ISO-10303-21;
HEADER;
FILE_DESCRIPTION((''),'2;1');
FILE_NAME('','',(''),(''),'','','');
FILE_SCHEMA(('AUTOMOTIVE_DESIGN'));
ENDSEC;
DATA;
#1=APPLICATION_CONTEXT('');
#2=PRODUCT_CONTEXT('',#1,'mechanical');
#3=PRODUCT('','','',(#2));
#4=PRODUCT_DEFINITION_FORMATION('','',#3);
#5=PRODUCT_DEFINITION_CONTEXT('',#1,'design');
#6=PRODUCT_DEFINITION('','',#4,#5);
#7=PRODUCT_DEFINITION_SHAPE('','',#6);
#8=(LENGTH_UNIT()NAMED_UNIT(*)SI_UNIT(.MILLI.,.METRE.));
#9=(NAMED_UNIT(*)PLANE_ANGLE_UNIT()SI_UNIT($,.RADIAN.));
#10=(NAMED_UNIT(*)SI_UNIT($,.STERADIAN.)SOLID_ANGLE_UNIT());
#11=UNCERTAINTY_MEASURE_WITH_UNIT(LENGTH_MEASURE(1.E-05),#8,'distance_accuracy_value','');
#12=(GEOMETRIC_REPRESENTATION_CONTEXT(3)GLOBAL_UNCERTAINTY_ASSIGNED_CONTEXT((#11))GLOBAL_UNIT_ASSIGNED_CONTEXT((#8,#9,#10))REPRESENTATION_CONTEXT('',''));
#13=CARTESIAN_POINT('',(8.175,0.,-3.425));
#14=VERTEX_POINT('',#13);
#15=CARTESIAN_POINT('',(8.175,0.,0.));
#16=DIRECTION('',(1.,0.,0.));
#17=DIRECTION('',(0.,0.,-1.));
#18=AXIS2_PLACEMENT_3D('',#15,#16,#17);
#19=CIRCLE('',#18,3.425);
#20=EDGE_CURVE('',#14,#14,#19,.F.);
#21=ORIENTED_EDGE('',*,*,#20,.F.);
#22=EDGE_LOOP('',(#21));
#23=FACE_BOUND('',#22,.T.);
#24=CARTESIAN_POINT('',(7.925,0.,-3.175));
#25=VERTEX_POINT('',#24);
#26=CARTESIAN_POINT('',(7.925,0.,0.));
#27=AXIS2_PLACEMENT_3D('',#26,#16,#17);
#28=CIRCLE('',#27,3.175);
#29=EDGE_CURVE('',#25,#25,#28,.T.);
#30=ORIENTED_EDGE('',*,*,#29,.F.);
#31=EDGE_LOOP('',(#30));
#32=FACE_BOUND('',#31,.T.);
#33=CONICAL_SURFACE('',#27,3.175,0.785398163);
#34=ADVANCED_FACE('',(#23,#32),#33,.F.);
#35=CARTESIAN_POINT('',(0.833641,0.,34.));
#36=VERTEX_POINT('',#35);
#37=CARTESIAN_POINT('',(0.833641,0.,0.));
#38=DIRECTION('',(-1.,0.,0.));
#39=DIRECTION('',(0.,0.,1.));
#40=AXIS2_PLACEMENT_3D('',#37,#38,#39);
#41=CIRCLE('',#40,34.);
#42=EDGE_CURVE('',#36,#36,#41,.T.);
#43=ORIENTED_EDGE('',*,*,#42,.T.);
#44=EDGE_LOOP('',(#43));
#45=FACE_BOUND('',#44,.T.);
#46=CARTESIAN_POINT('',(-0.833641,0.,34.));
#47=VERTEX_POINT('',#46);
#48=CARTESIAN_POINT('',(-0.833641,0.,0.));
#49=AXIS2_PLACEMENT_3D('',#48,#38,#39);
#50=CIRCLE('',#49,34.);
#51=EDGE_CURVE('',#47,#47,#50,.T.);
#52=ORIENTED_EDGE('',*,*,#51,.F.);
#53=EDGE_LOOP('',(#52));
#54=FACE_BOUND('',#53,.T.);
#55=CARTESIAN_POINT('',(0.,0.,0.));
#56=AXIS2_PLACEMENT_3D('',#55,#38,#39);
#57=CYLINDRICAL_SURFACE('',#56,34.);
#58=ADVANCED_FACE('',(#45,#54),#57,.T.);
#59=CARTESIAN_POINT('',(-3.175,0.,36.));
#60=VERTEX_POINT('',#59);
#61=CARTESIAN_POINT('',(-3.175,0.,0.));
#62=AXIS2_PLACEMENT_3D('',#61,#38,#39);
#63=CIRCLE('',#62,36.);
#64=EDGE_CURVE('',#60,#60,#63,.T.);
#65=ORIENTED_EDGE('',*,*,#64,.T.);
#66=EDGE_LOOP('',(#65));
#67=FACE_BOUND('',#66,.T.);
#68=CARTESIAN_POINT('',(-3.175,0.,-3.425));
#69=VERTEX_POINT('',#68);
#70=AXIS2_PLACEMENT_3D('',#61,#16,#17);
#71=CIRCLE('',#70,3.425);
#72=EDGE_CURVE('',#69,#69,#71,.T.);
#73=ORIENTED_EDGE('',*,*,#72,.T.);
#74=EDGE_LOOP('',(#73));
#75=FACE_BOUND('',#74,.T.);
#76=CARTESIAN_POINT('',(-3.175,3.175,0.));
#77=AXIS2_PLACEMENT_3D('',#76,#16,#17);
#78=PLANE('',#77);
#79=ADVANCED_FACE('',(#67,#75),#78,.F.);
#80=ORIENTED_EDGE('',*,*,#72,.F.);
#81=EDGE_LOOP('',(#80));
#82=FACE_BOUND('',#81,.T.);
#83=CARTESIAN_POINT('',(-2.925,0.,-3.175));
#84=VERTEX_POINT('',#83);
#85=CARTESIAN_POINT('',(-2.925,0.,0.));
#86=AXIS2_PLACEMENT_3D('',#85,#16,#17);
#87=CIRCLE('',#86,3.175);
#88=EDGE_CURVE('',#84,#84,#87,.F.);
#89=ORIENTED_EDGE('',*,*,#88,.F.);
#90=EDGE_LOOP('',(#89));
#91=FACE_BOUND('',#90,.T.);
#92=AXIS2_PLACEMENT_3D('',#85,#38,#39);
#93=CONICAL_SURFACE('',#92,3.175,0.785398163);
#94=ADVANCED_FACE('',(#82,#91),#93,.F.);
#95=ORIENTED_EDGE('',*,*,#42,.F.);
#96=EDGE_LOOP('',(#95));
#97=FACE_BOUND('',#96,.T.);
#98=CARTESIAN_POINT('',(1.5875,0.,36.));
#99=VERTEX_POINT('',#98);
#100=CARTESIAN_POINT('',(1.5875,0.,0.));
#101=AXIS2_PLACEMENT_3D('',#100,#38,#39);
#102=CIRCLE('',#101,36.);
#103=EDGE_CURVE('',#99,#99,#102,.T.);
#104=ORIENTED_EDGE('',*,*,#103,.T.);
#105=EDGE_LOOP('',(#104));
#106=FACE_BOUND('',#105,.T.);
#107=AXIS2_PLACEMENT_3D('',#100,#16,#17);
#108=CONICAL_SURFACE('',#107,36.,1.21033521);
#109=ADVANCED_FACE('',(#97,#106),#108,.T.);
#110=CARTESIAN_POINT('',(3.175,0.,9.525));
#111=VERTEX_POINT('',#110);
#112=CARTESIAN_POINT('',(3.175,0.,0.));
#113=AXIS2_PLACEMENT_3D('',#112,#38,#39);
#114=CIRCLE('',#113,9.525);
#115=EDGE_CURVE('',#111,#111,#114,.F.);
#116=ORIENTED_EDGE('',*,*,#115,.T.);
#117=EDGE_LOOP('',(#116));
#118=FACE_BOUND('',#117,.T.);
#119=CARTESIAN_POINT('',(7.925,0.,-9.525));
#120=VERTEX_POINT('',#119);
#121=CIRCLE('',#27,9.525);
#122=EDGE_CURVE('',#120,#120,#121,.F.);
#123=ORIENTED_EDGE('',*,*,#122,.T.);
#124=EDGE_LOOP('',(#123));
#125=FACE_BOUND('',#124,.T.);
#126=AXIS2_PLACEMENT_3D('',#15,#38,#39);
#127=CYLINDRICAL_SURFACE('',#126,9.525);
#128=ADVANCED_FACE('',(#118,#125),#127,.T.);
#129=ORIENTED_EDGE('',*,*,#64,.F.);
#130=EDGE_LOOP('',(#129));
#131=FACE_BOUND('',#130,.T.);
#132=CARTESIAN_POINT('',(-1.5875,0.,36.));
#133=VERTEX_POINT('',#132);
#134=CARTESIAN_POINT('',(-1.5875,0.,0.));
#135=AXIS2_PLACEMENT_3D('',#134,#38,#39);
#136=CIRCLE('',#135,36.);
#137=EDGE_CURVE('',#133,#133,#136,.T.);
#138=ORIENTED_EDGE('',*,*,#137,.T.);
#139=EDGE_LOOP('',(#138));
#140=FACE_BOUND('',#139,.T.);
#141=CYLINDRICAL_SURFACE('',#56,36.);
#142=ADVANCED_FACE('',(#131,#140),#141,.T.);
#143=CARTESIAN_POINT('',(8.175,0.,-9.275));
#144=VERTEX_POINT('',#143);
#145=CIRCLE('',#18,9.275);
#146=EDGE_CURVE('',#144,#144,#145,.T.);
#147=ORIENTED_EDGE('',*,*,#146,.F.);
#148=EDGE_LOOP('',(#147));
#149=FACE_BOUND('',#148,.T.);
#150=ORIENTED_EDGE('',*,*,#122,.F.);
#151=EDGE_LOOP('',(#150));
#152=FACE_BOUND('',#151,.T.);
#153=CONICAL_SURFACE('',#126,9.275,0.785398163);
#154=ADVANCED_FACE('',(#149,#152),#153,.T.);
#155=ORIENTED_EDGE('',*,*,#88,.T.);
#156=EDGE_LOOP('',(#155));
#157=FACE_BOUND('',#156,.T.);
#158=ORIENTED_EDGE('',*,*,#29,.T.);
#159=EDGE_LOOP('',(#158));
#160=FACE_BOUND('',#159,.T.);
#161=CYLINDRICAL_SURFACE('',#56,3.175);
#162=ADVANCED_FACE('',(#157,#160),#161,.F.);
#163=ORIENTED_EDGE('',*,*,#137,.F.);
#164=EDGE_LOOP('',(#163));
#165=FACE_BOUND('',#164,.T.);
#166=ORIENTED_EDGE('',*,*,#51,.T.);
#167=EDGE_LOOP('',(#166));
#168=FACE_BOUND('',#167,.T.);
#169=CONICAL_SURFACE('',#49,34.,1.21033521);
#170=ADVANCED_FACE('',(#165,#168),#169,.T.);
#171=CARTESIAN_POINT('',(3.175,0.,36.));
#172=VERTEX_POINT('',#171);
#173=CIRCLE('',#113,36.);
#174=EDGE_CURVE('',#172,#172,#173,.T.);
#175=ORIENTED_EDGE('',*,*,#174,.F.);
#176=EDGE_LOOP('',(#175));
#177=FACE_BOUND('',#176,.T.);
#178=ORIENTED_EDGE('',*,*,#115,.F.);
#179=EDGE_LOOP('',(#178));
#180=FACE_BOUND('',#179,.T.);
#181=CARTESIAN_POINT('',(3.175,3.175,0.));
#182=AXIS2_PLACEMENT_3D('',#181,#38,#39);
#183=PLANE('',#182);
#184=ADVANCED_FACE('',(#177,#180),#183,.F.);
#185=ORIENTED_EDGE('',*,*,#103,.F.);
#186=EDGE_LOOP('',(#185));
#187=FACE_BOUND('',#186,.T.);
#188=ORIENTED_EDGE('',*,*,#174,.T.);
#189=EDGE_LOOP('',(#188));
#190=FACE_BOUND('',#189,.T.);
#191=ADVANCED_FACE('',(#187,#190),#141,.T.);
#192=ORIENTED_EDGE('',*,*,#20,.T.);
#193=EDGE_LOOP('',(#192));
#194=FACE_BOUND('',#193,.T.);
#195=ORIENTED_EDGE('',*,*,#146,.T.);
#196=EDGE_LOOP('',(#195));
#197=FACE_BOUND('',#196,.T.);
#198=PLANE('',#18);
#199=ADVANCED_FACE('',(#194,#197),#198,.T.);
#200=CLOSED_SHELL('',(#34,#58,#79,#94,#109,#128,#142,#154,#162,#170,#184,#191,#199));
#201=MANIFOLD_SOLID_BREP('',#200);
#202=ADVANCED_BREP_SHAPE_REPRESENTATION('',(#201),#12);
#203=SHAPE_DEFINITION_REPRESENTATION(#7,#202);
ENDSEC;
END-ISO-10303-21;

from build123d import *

# Parameters (mm, degrees)
SKETCH3_R           = 9.525
BOSS_EXTRUDE1_DEPTH = 5
SKETCH4_R           = 3.175
CUT_EXTRUDE1_DEPTH  = 53.161504004
CHAMFER1_SIZE       = 0.25


with BuildPart() as part:
    # Sketch2 → Revolve1 (revolve)
    with BuildSketch(Plane.XY, mode=Mode.PRIVATE) as revolve1_sk:
        Polygon((-3.175, 3.175), (3.175, 3.175), (3.175, 36), (1.5875, 36), (0.833641219, 34), (-0.833641219, 34), (-1.5875, 36), (-3.175, 36), align=None)
    revolve(revolve1_sk.sketch.rotate(Axis((0, 0, 0), (1, 0, 0)), 90), axis=Axis((0, 0, 0), (1, 0, 0)))

    # Sketch3 → Boss-Extrude1 (add)
    with BuildSketch(Plane(origin=(3.175, 0, 0), x_dir=(0, 0, -1), z_dir=(1, 0, 0))):
        with Locations(Location((0, 0, 0), (0, 0, 180))):
            Circle(SKETCH3_R)
    extrude(amount=BOSS_EXTRUDE1_DEPTH)

    # Sketch4 → Cut-Extrude1 (cut, through all)
    with BuildSketch(Plane(origin=(8.175, 0, 0), x_dir=(0, 0, -1), z_dir=(1, 0, 0))):
        with Locations(Location((0, 0, 0), (0, 0, 180))):
            Circle(SKETCH4_R)
    extrude(amount=-CUT_EXTRUDE1_DEPTH, mode=Mode.SUBTRACT)

    # Chamfer1
    chamfer1_edges = [part.edges().sort_by_distance(p)[0] for p in [
        (8.175, 0, -9.525),
        (8.175, 0, -3.175),
        (-3.175, 0, -3.175),
    ]]
    chamfer(chamfer1_edges, length=CHAMFER1_SIZE)


solid = part.part
